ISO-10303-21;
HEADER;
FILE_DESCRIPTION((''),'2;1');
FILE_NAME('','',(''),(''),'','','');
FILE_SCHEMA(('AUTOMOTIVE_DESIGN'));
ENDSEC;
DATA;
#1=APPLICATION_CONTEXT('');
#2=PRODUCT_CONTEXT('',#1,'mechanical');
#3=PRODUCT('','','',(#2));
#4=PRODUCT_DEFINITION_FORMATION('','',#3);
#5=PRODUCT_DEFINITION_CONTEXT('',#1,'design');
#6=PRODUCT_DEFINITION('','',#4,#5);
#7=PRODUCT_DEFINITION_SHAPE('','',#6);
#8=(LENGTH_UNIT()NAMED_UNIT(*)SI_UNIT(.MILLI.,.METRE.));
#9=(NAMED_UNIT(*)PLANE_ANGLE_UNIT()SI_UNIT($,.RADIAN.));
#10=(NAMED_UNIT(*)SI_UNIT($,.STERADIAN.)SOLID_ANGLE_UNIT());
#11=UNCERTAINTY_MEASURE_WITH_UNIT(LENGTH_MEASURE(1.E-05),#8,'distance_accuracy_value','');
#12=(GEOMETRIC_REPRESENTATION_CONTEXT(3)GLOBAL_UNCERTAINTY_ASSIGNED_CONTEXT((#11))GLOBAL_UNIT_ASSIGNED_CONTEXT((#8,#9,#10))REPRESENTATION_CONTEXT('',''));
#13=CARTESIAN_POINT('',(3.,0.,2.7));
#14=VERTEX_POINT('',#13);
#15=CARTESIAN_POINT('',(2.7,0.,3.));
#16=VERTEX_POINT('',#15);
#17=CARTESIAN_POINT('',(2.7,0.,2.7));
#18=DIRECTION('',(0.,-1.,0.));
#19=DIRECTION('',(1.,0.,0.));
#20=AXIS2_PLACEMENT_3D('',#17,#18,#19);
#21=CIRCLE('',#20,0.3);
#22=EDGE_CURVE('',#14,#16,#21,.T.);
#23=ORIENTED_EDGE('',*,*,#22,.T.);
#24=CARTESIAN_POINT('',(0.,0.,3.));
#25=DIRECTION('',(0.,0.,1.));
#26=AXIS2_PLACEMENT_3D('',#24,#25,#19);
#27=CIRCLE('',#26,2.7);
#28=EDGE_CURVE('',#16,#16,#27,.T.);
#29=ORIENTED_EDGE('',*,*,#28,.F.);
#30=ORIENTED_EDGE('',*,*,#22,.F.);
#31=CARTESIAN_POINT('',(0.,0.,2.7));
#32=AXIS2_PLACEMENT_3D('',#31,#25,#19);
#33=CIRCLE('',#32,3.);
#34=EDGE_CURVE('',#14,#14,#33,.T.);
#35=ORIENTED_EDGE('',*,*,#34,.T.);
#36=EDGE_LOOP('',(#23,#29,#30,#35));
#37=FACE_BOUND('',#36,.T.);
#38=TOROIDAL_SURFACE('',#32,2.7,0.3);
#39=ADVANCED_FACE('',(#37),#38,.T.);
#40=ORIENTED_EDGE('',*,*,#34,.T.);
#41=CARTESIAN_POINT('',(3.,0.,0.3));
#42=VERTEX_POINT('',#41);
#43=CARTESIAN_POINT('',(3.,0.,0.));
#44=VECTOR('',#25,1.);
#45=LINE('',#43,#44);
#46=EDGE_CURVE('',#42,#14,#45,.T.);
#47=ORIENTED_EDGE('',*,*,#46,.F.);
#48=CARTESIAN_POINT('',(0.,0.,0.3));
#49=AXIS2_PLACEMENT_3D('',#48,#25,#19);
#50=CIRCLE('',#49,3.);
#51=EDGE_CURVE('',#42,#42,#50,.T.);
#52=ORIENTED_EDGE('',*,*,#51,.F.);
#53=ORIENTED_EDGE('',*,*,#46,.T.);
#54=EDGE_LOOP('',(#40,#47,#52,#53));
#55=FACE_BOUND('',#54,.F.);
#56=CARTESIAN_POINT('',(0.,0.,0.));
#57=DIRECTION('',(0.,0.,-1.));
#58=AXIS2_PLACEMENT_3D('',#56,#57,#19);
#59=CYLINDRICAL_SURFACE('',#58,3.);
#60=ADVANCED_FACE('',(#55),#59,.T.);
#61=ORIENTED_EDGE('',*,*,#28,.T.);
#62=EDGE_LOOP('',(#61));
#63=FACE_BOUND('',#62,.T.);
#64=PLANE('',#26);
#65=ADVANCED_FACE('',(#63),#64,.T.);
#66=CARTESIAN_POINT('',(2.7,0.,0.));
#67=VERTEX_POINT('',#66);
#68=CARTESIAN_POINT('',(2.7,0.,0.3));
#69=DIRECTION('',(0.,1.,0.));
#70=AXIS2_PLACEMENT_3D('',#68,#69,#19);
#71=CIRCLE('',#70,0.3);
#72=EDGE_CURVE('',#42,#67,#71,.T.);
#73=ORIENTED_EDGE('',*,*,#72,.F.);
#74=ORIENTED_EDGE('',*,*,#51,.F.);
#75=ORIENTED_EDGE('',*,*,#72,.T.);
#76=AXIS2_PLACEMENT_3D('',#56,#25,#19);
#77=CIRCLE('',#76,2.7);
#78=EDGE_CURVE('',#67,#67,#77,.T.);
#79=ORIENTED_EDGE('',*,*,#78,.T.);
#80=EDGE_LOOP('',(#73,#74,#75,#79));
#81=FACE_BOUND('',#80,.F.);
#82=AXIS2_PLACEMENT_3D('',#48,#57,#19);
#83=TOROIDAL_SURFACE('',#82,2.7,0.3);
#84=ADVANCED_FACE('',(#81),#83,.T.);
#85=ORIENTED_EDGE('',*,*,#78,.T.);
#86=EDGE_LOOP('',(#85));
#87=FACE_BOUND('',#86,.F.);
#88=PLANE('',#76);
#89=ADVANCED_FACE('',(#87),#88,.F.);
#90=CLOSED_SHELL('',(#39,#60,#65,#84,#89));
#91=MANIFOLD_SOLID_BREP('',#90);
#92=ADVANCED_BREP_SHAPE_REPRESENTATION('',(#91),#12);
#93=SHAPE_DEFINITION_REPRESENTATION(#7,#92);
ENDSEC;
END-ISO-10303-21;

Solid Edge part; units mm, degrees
sketch "Sketch1" plane through (0, 0, 0) normal (0, 0, 1) x (1, 0, 0)
  circle A0 centre (0, 0) radius 3
extrude "Protrusion1" add sketch "Sketch1" along normal blind 3
fillet "Round_1" radius 0.3 2 edges at (-3, 0, 3) (-3, 0, 0)
properties material "Steel"
